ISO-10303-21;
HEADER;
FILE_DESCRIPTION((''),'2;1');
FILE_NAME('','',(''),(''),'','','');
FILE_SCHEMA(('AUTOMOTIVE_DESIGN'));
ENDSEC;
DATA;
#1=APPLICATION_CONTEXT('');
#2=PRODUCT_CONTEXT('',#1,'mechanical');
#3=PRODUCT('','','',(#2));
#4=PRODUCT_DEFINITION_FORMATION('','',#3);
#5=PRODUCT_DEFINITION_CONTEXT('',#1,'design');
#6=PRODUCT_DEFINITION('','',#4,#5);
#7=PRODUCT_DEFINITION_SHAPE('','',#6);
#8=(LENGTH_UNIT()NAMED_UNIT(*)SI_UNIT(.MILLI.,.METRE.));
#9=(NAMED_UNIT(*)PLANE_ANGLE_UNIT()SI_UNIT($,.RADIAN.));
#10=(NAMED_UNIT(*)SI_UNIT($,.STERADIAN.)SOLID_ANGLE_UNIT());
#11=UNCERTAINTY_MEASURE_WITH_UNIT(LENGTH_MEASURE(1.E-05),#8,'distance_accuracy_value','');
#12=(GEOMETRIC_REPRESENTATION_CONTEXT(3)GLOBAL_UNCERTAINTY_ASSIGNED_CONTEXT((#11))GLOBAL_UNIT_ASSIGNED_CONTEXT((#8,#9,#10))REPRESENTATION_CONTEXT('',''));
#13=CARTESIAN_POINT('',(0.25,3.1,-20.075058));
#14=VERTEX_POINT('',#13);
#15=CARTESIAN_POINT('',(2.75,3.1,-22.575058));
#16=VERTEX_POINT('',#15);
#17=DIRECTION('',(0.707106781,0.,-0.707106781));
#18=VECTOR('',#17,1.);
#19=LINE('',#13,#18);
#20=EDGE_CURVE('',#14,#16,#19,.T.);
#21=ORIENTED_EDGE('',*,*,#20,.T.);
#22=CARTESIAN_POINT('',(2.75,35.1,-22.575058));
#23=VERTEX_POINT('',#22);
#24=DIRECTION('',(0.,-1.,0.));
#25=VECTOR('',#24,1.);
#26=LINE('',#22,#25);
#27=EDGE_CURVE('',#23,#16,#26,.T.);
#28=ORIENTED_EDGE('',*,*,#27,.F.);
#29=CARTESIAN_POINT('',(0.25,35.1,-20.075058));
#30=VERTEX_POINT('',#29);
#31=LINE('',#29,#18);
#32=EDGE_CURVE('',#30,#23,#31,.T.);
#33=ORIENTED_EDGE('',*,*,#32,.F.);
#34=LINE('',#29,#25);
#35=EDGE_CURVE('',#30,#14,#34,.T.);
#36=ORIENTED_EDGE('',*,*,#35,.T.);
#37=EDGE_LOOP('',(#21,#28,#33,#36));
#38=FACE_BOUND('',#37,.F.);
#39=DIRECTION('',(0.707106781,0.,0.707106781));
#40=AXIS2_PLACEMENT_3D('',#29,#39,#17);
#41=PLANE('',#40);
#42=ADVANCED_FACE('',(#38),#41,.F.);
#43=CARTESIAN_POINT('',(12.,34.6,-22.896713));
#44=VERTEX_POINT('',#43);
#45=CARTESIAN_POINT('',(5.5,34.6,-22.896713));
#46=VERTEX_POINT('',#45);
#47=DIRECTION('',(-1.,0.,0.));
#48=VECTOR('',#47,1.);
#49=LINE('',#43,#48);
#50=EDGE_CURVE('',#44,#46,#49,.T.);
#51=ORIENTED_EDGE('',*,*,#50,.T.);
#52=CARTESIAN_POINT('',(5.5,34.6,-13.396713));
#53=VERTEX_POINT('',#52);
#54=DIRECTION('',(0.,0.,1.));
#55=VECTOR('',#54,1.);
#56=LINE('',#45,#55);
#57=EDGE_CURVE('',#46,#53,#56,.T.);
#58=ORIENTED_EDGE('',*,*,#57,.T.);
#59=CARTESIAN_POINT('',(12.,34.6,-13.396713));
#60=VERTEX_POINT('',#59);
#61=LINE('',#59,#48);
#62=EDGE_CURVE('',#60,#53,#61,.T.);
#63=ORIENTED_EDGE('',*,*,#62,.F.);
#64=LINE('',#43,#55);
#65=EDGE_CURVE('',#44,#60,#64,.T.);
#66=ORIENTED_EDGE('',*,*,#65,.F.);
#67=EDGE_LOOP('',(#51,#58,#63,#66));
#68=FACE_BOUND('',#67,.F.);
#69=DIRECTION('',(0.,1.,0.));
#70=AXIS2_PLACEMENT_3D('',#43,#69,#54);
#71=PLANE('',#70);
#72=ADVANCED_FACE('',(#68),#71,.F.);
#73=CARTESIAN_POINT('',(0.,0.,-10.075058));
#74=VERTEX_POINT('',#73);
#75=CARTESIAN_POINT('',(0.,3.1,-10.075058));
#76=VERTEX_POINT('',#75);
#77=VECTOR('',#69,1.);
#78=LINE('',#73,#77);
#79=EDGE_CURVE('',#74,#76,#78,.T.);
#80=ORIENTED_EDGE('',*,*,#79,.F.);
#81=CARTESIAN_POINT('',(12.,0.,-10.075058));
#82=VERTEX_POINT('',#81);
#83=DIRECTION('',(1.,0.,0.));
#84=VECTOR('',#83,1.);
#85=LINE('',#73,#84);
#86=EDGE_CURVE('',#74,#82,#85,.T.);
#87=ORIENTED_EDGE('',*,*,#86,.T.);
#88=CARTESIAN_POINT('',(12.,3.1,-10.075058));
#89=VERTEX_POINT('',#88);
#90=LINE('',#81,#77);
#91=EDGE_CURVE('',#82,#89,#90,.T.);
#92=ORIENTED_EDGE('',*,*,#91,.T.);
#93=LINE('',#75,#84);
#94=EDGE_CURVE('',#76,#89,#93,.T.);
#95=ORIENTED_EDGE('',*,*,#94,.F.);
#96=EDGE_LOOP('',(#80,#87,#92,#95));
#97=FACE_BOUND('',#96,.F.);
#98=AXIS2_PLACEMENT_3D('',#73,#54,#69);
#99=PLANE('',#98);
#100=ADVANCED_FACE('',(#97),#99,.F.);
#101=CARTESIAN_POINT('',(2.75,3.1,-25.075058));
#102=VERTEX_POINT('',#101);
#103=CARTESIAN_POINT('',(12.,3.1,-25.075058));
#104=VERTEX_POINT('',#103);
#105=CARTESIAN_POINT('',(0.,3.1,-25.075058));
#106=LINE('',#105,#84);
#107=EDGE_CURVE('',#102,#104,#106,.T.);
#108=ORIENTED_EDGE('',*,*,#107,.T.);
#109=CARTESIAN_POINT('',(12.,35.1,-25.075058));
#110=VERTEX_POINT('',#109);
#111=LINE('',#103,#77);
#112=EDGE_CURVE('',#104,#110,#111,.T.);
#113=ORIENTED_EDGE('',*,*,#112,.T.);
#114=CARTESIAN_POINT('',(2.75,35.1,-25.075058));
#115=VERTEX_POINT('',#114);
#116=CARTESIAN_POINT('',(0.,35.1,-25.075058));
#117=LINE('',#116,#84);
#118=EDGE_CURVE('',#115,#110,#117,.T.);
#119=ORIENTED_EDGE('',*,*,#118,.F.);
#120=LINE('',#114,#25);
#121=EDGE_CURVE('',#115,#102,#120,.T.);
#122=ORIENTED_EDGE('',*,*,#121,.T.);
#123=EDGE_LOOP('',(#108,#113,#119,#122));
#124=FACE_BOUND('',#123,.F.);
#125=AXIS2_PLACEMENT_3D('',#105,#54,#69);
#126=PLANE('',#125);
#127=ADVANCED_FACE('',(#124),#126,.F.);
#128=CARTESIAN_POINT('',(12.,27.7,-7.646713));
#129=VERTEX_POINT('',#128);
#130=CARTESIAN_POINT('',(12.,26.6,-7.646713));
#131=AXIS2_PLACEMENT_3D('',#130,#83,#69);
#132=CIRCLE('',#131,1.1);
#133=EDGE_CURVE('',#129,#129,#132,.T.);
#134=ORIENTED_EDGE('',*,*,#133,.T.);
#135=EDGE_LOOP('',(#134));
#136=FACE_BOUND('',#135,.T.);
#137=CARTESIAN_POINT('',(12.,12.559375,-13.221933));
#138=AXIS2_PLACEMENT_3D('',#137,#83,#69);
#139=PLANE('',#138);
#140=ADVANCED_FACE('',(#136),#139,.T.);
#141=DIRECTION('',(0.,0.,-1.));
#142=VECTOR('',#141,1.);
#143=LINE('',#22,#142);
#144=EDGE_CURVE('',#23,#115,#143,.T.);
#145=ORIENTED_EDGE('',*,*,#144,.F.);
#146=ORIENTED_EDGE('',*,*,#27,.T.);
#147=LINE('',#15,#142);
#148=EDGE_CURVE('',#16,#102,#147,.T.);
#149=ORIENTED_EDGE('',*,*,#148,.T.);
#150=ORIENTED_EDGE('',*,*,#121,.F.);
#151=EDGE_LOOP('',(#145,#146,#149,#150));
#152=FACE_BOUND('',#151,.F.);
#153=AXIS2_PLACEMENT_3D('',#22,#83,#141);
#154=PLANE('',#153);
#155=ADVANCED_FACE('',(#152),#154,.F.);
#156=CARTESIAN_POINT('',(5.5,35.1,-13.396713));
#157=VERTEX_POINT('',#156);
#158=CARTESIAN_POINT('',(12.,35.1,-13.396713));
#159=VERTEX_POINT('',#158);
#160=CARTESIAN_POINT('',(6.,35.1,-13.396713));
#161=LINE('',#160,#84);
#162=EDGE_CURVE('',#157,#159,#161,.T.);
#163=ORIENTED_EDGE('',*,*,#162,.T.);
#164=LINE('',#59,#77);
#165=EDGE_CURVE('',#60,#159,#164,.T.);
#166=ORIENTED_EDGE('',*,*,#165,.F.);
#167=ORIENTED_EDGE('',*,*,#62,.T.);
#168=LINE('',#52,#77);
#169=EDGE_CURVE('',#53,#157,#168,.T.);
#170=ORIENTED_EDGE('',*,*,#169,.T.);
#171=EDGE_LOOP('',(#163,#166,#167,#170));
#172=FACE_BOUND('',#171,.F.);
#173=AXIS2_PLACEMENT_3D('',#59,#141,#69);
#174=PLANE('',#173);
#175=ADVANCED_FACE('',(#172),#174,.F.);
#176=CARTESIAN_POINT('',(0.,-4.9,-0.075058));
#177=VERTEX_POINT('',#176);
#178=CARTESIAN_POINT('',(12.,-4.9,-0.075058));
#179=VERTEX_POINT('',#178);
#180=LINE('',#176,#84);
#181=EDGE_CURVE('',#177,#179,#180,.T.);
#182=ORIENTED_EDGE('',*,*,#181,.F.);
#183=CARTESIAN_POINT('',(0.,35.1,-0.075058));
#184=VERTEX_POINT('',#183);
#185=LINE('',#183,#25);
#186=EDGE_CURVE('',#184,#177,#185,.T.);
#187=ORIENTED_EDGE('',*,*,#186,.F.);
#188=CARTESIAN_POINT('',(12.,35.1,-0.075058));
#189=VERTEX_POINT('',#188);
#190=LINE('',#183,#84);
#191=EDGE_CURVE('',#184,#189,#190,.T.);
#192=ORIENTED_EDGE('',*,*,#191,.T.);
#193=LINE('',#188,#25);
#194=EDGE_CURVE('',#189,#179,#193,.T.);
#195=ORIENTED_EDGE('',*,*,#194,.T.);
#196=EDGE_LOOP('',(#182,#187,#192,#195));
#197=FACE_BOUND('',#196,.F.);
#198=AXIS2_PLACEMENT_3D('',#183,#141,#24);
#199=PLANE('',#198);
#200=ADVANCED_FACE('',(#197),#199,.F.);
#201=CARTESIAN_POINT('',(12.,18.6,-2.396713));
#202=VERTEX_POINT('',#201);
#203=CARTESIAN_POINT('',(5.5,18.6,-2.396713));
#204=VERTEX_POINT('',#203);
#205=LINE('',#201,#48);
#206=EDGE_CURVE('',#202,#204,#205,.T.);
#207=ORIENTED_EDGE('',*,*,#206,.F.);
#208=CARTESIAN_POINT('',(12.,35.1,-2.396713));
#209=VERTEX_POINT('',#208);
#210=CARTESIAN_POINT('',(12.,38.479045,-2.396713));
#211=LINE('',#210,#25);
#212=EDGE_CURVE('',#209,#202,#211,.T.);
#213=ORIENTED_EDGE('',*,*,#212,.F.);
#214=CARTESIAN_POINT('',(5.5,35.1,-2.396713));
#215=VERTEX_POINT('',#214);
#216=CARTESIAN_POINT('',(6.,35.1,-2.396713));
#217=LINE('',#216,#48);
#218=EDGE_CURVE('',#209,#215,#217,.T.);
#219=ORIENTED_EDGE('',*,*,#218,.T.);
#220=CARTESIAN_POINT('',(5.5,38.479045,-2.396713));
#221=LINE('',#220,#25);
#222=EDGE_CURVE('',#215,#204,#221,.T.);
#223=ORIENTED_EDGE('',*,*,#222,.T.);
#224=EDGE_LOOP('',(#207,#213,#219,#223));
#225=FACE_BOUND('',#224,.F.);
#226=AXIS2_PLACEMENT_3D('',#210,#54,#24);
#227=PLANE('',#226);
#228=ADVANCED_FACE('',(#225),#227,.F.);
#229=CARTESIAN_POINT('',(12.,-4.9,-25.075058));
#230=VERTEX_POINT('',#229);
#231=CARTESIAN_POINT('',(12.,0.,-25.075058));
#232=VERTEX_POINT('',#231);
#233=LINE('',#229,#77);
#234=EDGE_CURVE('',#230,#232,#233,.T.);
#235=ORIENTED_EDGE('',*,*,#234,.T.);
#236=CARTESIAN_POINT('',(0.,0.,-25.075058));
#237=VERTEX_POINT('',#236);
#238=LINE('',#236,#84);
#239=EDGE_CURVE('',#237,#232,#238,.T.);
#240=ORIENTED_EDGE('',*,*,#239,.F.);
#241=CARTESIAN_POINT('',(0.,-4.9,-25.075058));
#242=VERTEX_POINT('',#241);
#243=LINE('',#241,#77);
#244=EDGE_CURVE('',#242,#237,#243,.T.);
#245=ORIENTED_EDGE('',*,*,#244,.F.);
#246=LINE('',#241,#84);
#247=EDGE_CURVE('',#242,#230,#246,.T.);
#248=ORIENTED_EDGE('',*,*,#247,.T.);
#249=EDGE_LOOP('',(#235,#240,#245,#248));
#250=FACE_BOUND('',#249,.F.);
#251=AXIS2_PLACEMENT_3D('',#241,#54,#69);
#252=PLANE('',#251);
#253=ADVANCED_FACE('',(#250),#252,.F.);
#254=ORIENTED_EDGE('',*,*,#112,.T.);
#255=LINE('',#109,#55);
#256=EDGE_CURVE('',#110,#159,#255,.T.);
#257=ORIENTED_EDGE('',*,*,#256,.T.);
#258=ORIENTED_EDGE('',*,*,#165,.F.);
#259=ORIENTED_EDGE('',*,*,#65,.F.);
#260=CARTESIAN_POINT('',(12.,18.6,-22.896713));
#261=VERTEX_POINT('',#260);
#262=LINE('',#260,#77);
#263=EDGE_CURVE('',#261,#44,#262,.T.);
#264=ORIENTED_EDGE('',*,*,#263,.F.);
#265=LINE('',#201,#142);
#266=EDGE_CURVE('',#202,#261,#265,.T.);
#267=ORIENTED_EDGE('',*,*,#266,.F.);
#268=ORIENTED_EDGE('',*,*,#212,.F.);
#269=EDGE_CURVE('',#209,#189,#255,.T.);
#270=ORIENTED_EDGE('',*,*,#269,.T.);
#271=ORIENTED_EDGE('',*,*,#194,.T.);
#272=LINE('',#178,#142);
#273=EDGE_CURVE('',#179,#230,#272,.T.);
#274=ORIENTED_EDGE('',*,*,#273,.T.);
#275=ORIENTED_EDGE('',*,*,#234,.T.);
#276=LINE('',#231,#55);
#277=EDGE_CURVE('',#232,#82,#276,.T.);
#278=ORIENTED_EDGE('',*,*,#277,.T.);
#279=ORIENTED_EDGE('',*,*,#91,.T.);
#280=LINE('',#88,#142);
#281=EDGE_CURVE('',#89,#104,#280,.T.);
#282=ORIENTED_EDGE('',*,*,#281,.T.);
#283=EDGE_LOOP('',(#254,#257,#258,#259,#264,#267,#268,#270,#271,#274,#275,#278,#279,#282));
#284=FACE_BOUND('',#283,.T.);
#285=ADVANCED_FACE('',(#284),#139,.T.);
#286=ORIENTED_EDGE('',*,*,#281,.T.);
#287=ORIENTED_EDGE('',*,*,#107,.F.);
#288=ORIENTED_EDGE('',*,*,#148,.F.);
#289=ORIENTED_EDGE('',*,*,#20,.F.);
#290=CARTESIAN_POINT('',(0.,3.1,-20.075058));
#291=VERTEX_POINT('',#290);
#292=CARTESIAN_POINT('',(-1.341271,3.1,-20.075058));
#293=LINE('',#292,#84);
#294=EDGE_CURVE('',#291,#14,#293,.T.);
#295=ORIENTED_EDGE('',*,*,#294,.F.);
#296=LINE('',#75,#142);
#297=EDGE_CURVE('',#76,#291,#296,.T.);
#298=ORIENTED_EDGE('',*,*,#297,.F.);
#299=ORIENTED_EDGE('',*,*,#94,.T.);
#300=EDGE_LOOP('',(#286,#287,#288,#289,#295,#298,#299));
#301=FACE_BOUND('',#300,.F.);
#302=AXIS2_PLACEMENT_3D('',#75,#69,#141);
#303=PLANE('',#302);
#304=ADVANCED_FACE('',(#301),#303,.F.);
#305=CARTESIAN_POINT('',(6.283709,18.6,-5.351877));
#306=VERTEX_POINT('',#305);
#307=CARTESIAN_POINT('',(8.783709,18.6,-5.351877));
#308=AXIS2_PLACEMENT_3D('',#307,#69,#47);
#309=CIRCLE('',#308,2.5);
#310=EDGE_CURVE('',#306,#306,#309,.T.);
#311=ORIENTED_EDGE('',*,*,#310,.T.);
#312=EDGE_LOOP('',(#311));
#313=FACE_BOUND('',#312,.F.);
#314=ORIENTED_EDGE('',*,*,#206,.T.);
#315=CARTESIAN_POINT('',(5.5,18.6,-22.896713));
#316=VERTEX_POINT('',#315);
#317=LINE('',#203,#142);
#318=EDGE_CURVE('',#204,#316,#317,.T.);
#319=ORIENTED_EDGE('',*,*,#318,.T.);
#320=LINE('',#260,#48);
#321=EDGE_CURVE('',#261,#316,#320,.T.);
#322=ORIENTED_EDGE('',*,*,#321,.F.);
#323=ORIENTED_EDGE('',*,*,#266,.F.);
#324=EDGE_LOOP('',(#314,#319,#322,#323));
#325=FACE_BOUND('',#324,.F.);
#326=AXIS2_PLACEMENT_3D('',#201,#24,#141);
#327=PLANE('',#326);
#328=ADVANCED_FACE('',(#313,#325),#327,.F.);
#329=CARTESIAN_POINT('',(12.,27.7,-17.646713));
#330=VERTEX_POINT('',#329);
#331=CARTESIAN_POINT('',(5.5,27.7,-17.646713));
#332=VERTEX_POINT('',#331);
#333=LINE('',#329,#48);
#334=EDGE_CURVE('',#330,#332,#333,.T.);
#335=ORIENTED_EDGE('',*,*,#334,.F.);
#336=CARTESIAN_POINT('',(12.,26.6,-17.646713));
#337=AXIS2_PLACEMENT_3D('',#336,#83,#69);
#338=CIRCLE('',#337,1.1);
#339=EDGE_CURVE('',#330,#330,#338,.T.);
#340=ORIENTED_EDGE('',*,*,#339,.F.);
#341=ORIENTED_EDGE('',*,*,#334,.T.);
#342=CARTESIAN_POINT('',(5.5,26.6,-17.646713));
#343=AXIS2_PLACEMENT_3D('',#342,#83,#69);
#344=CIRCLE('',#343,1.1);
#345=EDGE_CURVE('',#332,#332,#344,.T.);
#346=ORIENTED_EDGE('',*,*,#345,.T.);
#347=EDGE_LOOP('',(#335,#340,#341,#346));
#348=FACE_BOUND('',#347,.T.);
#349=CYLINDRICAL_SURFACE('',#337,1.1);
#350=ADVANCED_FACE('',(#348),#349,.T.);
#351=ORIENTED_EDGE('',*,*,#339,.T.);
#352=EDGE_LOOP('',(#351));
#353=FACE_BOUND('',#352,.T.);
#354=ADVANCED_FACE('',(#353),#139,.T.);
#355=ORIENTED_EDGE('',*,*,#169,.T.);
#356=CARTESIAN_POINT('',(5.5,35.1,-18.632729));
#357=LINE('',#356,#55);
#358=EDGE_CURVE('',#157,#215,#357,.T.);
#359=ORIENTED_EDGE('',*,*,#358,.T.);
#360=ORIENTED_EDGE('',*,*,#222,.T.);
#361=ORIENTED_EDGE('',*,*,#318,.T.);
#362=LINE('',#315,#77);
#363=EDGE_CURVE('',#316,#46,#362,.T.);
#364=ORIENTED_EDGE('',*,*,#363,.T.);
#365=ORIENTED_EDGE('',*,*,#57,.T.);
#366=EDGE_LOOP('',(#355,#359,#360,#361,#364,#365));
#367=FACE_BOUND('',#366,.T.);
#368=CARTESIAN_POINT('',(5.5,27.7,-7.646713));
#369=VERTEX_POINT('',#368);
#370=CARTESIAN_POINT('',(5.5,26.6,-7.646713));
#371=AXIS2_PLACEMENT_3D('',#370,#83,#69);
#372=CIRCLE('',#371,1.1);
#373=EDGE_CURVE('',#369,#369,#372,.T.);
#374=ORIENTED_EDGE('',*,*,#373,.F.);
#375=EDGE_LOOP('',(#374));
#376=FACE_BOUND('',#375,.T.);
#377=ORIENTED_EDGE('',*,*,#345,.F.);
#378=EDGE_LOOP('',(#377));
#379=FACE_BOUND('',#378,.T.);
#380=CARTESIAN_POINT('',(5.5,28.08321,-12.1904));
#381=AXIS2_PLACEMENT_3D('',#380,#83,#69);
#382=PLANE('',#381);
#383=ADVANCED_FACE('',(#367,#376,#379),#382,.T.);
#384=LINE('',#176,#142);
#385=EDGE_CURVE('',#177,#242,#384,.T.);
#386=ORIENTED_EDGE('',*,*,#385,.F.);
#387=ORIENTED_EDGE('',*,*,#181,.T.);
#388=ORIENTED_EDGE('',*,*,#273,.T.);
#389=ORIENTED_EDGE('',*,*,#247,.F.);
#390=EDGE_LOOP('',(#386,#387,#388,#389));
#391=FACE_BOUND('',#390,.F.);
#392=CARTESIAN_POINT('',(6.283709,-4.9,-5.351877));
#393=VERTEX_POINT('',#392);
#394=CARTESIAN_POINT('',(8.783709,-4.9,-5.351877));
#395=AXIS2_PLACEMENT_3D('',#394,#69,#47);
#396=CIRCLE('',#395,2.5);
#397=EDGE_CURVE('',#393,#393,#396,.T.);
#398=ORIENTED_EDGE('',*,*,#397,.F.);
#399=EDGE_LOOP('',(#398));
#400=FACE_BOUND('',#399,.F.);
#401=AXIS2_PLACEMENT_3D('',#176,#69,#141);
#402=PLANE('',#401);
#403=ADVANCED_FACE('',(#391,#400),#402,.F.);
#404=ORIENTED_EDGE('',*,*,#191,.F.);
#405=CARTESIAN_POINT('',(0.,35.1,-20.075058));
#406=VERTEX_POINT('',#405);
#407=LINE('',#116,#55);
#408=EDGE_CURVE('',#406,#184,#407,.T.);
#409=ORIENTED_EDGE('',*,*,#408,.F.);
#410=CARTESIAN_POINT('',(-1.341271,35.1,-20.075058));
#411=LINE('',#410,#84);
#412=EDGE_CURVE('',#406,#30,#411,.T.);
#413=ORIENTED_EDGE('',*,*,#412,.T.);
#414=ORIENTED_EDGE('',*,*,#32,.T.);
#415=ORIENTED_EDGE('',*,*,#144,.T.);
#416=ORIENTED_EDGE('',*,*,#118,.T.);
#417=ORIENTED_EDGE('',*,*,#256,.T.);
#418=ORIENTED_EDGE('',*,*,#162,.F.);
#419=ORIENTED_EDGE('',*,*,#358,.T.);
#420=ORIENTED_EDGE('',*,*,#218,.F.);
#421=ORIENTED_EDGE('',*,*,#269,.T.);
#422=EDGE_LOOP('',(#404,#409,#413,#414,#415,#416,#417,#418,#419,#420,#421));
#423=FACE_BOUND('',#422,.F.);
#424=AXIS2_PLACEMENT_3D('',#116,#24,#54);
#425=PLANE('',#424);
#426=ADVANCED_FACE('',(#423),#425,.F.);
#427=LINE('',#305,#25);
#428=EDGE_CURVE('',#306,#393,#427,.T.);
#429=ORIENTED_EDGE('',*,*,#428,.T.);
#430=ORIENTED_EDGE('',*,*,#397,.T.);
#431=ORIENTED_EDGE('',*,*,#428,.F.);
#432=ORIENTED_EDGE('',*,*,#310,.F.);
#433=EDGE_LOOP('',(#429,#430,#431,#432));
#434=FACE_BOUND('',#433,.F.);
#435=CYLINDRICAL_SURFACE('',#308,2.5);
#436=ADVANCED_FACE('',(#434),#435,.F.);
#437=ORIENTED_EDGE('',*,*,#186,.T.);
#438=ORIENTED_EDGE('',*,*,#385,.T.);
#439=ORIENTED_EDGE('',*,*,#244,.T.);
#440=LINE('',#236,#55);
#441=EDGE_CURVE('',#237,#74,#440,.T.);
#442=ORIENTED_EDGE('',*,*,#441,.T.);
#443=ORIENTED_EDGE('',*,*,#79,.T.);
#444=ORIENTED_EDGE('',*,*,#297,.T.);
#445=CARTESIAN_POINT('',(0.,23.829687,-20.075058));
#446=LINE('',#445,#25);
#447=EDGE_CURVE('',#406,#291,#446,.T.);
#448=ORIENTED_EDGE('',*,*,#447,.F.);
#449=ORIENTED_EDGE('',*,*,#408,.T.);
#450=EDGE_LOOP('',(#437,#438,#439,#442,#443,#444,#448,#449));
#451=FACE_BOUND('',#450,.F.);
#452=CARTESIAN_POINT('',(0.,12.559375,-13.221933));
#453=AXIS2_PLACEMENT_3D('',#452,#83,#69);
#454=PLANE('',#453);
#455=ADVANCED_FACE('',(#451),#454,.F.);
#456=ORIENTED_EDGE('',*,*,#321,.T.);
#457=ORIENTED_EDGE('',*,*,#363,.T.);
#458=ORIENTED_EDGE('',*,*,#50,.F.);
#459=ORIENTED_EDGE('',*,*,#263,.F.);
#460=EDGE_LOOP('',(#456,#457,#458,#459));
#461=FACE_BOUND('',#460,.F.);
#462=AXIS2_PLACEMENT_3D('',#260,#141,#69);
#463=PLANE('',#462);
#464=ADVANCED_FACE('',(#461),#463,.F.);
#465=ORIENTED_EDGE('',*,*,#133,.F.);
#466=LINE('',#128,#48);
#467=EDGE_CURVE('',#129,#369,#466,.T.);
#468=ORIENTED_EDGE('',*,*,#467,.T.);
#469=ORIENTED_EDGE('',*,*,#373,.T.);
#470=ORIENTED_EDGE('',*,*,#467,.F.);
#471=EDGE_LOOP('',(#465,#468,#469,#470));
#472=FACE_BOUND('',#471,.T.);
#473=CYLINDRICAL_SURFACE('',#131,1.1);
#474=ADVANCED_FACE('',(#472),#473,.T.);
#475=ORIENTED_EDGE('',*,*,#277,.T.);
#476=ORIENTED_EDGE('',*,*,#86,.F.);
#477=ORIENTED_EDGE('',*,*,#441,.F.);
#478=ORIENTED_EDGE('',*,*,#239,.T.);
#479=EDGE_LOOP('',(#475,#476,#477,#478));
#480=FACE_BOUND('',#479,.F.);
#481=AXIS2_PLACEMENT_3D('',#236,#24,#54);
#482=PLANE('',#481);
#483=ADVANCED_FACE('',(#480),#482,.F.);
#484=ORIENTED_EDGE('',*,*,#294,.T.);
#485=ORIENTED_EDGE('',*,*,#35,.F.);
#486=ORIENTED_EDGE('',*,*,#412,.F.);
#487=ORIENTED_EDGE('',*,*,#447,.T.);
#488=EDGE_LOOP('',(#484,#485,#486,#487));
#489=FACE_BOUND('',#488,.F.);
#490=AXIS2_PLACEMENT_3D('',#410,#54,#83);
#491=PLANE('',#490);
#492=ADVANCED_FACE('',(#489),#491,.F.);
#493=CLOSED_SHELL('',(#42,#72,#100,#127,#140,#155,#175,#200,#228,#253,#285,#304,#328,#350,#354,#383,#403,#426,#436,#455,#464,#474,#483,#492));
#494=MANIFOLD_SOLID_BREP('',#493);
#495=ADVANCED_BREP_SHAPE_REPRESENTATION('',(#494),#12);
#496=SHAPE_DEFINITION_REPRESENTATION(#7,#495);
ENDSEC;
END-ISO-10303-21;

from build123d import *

# Parameters (mm, degrees)
F1_DEPTH = 12
F2_R     = 1.1
F3_DEPTH = 6.5
F4_R     = 2.5
F5_DEPTH = 25
F7_DEPTH = 32


with BuildPart() as f1:
    # F0 (on Right) → F1 (new body)
    with BuildSketch(Plane.YZ):
        Polygon((35.1, -0.075058), (-4.9, -0.075058), (-4.9, -25.075058), (0, -25.075058), (0, -10.075058), (3.1, -10.075058), (3.1, -25.075058), (35.1, -25.075058), align=None)
    extrude(amount=F1_DEPTH)

    # F2 (on face) → F3 (cut)
    with BuildSketch(Plane.YZ.offset(12)):
        Polygon((34.6, -2.396713), (18.6, -2.396713), (18.6, -22.896713), (34.6, -22.896713), (34.6, -13.396713), (38.479045, -13.396713), (38.479045, -2.396713), align=None)
        with Locations((26.6, -17.646713)):
            Circle(F2_R, mode=Mode.SUBTRACT)
        with Locations((26.6, -7.646713)):
            Circle(F2_R, mode=Mode.SUBTRACT)
    extrude(amount=-F3_DEPTH, mode=Mode.SUBTRACT)

    # F4 (on face) → F5 (cut)
    with BuildSketch(Plane(origin=(0, 18.6, 0), x_dir=(-1, 0, 0), z_dir=(0, 1, 0))):
        with Locations((-8.783709, -5.351877)):
            Circle(F4_R)
    extrude(amount=-F5_DEPTH, mode=Mode.SUBTRACT)

    # F6 (on face) → F7 (cut, through all)
    with BuildSketch(Plane(origin=(0, 35.1, 0), x_dir=(-1, 0, 0), z_dir=(0, 1, 0))):
        Polygon((1.341271, -20.075058), (-0.25, -20.075058), (-2.75, -22.575058), (-2.75, -25.075058), (1.341271, -25.075058), align=None)
    extrude(amount=-F7_DEPTH, mode=Mode.SUBTRACT)


solid = f1.part
